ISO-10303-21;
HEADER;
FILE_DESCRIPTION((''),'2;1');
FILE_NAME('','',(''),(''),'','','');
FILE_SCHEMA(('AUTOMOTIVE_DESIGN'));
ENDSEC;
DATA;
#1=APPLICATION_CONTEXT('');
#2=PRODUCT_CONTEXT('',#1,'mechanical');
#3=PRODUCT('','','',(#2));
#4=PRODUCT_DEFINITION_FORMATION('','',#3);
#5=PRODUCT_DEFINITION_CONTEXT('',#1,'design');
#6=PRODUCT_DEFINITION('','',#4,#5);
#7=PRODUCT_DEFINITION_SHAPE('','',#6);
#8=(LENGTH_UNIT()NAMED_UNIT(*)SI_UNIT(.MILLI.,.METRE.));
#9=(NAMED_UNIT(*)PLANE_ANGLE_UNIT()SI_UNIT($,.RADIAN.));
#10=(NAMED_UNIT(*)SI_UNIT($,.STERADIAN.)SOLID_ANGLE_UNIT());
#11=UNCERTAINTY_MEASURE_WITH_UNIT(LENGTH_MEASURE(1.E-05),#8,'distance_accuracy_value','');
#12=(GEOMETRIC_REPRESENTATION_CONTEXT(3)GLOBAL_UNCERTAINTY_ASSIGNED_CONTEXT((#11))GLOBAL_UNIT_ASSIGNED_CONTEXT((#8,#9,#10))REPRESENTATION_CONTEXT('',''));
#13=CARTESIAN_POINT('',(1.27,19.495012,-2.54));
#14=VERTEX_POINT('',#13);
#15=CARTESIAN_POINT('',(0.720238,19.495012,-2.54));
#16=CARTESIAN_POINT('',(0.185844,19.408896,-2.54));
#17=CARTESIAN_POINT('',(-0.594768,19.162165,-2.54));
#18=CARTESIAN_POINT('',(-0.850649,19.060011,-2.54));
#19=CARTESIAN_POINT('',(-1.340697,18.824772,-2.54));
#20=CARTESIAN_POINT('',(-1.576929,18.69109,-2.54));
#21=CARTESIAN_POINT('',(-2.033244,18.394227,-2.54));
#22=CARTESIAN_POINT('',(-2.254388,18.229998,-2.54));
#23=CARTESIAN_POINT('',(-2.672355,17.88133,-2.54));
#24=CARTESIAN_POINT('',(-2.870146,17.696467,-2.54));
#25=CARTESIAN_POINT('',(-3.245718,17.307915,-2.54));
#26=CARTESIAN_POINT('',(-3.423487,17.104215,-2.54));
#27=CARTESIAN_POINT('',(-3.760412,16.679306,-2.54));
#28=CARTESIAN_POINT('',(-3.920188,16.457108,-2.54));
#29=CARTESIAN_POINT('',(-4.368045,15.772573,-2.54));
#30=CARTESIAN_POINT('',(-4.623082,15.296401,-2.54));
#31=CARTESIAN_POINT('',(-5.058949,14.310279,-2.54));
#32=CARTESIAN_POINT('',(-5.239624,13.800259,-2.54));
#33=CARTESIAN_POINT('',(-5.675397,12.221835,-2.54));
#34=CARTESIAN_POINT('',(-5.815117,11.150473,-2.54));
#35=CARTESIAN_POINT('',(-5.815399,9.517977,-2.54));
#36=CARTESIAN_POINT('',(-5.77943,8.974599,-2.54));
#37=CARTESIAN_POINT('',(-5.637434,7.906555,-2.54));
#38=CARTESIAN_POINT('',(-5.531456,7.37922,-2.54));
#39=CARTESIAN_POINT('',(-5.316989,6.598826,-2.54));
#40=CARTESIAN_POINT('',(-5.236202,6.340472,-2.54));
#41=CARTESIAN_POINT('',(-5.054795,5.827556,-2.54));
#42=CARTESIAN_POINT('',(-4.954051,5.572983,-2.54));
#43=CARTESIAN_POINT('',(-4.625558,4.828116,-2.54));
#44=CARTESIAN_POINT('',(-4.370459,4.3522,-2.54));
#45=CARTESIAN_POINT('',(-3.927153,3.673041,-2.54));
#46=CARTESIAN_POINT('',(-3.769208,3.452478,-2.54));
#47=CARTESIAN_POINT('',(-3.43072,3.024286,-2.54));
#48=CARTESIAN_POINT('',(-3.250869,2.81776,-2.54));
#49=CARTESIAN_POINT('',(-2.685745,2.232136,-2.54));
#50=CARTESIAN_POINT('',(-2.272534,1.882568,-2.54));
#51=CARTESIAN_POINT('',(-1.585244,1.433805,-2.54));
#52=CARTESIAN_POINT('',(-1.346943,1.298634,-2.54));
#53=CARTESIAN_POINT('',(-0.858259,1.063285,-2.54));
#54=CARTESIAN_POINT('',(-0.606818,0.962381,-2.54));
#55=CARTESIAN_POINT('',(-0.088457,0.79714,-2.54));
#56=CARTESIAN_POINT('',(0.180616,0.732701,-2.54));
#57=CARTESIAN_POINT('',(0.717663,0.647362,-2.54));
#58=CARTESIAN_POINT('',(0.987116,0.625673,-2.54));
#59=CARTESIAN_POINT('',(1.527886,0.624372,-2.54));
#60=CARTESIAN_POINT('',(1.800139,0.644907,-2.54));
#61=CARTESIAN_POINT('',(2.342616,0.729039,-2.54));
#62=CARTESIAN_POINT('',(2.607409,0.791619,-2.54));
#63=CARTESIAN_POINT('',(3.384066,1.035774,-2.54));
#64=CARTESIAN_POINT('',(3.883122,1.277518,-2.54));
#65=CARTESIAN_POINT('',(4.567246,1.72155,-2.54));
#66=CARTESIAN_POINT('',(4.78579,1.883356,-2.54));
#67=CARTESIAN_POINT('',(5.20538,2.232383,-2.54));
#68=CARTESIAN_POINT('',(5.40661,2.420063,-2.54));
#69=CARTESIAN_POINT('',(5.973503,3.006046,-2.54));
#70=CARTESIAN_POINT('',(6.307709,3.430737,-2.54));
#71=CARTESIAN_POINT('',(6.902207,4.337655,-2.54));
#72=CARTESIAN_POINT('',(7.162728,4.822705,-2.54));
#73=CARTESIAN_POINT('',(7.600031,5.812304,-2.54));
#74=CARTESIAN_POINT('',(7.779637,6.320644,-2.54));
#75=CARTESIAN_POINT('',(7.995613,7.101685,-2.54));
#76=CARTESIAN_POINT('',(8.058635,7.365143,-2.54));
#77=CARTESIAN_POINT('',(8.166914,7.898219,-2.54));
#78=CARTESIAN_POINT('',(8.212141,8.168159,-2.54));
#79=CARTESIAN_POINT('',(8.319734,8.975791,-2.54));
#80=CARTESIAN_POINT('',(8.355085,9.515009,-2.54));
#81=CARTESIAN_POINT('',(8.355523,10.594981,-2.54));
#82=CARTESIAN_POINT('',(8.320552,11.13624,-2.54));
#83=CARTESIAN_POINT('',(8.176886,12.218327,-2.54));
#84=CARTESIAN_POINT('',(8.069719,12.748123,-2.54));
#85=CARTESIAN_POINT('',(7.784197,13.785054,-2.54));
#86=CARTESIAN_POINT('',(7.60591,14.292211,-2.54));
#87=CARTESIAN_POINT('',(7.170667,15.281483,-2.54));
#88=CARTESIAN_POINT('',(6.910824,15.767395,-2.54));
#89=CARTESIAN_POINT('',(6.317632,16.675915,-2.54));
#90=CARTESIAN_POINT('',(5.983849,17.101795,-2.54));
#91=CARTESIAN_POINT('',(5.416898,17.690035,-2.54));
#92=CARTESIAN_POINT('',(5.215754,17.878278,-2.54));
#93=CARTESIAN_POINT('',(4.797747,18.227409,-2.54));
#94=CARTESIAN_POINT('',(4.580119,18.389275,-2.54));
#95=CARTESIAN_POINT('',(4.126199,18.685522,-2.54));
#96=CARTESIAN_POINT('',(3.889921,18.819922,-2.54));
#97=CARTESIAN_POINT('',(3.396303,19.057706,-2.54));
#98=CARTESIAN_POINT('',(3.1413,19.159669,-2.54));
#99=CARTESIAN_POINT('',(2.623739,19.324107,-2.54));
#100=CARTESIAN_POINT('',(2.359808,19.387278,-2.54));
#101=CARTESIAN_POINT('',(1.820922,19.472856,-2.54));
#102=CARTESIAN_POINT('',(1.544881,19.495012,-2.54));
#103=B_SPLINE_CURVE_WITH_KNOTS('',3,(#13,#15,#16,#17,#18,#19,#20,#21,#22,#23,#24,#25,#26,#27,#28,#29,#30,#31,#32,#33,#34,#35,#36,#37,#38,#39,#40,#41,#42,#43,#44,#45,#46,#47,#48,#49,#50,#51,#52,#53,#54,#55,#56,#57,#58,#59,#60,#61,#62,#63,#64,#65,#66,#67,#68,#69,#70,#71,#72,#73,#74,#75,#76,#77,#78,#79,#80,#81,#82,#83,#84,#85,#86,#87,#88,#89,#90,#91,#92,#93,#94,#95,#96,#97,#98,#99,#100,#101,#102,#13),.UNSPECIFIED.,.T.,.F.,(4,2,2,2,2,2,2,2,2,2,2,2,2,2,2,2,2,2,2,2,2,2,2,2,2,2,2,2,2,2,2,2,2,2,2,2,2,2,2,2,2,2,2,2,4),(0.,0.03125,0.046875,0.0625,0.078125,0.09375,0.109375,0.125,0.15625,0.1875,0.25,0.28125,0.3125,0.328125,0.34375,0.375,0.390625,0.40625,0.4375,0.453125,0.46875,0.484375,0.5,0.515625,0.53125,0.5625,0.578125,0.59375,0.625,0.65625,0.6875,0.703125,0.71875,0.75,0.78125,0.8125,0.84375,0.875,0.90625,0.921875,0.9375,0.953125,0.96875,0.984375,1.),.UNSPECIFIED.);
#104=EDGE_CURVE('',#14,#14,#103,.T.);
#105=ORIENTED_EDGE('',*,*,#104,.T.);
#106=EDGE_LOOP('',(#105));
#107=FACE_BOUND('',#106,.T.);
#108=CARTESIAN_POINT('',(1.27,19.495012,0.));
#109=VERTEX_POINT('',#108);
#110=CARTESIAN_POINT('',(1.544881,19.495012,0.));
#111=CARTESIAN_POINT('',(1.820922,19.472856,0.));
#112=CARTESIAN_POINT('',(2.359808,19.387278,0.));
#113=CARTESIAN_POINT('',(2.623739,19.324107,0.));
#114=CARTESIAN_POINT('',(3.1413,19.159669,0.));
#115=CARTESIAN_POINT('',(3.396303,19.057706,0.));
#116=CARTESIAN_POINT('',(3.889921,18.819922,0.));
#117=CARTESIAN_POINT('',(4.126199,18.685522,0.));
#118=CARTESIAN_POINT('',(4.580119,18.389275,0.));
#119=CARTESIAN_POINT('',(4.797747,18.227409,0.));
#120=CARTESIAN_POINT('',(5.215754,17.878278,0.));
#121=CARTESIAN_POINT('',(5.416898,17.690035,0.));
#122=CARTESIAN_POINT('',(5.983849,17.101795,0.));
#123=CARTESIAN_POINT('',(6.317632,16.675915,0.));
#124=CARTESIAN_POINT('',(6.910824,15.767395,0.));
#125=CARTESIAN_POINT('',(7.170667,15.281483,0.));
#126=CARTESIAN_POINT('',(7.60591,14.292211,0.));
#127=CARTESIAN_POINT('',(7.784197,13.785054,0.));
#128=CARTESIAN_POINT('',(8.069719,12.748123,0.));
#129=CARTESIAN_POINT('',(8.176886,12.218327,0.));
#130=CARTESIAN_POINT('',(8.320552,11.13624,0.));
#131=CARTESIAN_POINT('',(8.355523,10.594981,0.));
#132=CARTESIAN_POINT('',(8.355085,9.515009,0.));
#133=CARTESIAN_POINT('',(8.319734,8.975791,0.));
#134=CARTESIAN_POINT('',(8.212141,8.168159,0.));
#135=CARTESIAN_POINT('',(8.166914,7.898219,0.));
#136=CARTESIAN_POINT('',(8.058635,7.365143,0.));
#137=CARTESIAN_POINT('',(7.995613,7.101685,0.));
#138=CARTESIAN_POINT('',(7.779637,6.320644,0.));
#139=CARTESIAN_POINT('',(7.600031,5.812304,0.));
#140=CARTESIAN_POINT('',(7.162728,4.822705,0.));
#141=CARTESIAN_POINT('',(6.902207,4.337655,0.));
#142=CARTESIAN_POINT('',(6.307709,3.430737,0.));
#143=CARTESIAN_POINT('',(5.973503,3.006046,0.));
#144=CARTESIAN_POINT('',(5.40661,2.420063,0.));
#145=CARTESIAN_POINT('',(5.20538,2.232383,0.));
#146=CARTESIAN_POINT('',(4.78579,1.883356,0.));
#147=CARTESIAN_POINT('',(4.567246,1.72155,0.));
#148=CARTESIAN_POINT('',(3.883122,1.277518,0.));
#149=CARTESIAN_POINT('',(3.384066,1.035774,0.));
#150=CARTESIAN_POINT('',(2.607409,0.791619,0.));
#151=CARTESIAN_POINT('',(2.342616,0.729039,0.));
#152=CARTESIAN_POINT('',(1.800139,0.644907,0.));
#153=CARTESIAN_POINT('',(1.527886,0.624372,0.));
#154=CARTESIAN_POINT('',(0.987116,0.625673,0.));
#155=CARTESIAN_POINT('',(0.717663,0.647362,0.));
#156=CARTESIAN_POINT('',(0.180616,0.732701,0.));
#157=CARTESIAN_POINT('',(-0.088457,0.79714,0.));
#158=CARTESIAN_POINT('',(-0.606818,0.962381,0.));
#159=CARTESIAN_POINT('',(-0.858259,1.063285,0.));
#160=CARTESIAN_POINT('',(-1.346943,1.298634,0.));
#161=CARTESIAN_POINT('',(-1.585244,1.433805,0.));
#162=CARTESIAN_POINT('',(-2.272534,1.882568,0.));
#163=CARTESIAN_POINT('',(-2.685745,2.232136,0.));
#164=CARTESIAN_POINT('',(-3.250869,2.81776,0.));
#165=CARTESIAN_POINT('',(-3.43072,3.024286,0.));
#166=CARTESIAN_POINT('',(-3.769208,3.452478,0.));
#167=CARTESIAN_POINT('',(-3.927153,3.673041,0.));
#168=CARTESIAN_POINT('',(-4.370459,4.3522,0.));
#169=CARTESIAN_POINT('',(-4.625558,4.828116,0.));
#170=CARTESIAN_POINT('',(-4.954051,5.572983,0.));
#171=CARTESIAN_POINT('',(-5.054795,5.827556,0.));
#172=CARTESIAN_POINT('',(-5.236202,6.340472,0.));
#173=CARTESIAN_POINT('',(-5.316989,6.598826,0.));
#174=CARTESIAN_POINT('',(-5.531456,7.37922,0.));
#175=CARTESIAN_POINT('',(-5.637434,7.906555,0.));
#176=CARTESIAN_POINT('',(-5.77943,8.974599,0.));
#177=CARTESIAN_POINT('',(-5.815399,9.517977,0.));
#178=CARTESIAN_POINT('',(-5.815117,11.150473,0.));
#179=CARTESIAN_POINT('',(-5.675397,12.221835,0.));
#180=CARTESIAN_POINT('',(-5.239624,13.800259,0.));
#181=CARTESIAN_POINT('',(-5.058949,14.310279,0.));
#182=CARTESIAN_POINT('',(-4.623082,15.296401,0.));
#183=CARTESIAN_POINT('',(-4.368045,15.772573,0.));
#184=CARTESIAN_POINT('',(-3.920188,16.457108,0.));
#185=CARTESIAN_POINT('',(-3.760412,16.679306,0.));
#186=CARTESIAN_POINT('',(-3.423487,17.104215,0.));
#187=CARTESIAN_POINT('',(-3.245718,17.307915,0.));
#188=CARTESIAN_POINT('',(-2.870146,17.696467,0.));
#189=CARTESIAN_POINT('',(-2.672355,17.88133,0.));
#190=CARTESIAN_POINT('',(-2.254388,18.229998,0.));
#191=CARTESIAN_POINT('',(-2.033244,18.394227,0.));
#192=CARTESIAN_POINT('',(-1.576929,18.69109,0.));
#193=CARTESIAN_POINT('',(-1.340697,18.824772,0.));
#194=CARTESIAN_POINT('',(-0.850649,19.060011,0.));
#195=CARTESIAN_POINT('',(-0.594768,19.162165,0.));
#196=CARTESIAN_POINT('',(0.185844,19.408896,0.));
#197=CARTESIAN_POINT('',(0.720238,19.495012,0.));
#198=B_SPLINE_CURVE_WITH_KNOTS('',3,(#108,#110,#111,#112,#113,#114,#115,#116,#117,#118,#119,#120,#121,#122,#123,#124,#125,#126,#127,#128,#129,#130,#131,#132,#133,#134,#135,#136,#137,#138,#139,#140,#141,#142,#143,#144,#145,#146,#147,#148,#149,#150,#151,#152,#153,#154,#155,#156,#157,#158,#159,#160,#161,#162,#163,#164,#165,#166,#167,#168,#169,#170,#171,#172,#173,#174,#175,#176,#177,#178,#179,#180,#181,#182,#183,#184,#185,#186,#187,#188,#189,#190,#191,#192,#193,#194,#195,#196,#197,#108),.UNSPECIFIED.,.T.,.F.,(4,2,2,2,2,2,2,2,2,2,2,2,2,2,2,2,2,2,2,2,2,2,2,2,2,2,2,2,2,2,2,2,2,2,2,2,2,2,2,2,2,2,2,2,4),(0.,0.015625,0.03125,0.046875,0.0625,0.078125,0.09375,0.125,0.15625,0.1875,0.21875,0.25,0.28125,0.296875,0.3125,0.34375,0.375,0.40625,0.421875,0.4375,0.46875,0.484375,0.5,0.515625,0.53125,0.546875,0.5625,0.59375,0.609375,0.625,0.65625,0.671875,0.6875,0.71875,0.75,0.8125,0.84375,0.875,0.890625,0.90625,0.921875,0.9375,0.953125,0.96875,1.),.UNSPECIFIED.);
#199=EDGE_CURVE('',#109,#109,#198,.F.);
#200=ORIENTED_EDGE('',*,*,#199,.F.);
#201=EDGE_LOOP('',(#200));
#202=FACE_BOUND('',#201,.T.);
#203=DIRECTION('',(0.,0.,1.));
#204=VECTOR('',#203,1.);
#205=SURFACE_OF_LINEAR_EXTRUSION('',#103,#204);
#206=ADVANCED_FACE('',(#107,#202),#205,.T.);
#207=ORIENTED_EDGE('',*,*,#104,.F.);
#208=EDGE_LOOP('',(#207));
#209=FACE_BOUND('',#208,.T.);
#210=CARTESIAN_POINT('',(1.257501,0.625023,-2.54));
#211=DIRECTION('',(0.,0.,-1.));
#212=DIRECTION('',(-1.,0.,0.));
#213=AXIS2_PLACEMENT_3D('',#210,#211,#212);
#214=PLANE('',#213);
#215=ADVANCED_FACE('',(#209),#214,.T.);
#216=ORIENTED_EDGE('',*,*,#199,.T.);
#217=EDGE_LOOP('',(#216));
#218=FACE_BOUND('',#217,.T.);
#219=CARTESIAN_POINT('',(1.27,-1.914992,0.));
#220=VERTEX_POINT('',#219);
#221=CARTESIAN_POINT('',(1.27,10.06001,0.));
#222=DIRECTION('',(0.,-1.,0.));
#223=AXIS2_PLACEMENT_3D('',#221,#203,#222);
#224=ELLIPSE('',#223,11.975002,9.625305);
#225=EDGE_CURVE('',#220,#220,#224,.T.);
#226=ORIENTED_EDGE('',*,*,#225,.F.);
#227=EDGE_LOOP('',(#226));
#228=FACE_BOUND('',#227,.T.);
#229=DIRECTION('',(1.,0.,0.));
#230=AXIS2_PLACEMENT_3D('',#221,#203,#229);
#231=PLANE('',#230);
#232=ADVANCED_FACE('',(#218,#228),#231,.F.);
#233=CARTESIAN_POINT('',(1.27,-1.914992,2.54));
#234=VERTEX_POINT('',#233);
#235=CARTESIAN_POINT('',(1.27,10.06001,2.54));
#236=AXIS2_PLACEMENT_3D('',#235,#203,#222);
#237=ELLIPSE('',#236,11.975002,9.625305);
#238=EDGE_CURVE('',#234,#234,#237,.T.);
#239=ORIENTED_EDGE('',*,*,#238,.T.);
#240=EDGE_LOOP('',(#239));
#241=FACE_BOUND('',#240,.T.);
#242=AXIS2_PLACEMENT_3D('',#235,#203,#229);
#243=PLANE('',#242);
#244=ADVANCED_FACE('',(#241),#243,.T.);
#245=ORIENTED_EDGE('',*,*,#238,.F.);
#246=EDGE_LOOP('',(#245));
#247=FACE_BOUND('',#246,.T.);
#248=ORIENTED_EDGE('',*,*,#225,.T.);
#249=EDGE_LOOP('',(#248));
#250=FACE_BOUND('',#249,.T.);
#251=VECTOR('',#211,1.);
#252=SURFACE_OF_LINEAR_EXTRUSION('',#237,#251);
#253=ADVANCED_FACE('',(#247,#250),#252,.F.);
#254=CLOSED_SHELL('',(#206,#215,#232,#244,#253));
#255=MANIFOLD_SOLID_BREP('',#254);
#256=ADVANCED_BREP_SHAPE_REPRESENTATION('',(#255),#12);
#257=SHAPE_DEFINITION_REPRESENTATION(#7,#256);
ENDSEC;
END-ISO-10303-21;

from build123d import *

# Parameters (mm, degrees)
BOSS_EXTRUDE1_DEPTH = 2.54
SKETCH3_RX          = 11.975002362
SKETCH3_RY          = 9.62530498
BOSS_EXTRUDE2_DEPTH = 2.54


with BuildPart() as part:
    # Sketch2 → Boss-Extrude1 (new body)
    with BuildSketch(Plane.XY):
        with BuildLine():
            add(Edge.make_bspline(
                [(1.27, 19.495012235), (0.720238368, 19.495012235), (0.185844427, 19.408896346), (-0.594767976, 19.162165307), (-0.850648642, 19.060010591), (-1.3406975, 18.824771934), (-1.57692884, 18.691089586), (-2.033244262, 18.394227435), (-2.254387801, 18.229997746), (-2.672354965, 17.881330388), (-2.870146059, 17.696467096), (-3.245718092, 17.307915457), (-3.423486564, 17.104215382), (-3.760412379, 16.679306346), (-3.920187654, 16.457107827), (-4.368044809, 15.772573183), (-4.623081735, 15.296400873), (-5.058948628, 14.310278998), (-5.239624245, 13.800259175), (-5.675397109, 12.221835404), (-5.815116994, 11.150473237), (-5.815398697, 9.517977005), (-5.779430411, 8.974598965), (-5.637433758, 7.906555412), (-5.53145557, 7.379220198), (-5.31698931, 6.598826265), (-5.236201641, 6.340472484), (-5.054795439, 5.827555685), (-4.954051366, 5.572982856), (-4.625557682, 4.828116166), (-4.370458524, 4.352200427), (-3.92715317, 3.673040761), (-3.769208225, 3.45247824), (-3.430720327, 3.024286098), (-3.250868957, 2.817759951), (-2.685744569, 2.232136484), (-2.272533636, 1.882567957), (-1.585243774, 1.433804725), (-1.346943211, 1.298634411), (-0.858258735, 1.06328463), (-0.606817547, 0.962380873), (-0.088456982, 0.797140288), (0.180616402, 0.732700885), (0.717663263, 0.647362415), (0.987116161, 0.625672865), (1.527886168, 0.62437222), (1.800139422, 0.644907177), (2.342616237, 0.72903885), (2.607409484, 0.791619312), (3.384065636, 1.035774015), (3.883121503, 1.277517664), (4.567246185, 1.721549842), (4.785790025, 1.883355998), (5.205380281, 2.232383298), (5.406610057, 2.42006263), (5.97350339, 3.006046128), (6.307709487, 3.430736806), (6.902207449, 4.337655014), (7.162728093, 4.822704649), (7.600031087, 5.812304067), (7.779637147, 6.320644481), (7.995612918, 7.101685429), (8.058634681, 7.365143206), (8.166913866, 7.898219317), (8.212140582, 8.168158838), (8.319734454, 8.975791274), (8.355084844, 9.515008844), (8.355523081, 10.594981282), (8.320552073, 11.136240082), (8.176885819, 12.218326747), (8.069718657, 12.748122566), (7.784197181, 13.785053947), (7.605910028, 14.292210886), (7.170666614, 15.281482851), (6.910823558, 15.767394967), (6.317632047, 16.675915486), (5.983849202, 17.101795462), (5.416898167, 17.690034607), (5.215754315, 17.878277673), (4.797746598, 18.22740935), (4.580118739, 18.389275101), (4.126199429, 18.685521759), (3.889921414, 18.819922454), (3.396302532, 19.057705745), (3.141299771, 19.159668895), (2.623738926, 19.324106952), (2.359807618, 19.3872776), (1.820922261, 19.472855931), (1.544880816, 19.495012235), (1.27, 19.495012235)],
                knots=[0, 0, 0, 0, 0.03125, 0.03125, 0.046875, 0.046875, 0.0625, 0.0625, 0.078125, 0.078125, 0.09375, 0.09375, 0.109375, 0.109375, 0.125, 0.125, 0.15625, 0.15625, 0.1875, 0.1875, 0.25, 0.25, 0.28125, 0.28125, 0.3125, 0.3125, 0.328125, 0.328125, 0.34375, 0.34375, 0.375, 0.375, 0.390625, 0.390625, 0.40625, 0.40625, 0.4375, 0.4375, 0.453125, 0.453125, 0.46875, 0.46875, 0.484375, 0.484375, 0.5, 0.5, 0.515625, 0.515625, 0.53125, 0.53125, 0.5625, 0.5625, 0.578125, 0.578125, 0.59375, 0.59375, 0.625, 0.625, 0.65625, 0.65625, 0.6875, 0.6875, 0.703125, 0.703125, 0.71875, 0.71875, 0.75, 0.75, 0.78125, 0.78125, 0.8125, 0.8125, 0.84375, 0.84375, 0.875, 0.875, 0.90625, 0.90625, 0.921875, 0.921875, 0.9375, 0.9375, 0.953125, 0.953125, 0.96875, 0.96875, 0.984375, 0.984375, 1, 1, 1, 1], degree=3))
        make_face()
    extrude(amount=-BOSS_EXTRUDE1_DEPTH)

    # Sketch3 → Boss-Extrude2 (add)
    with BuildSketch(Plane.XY):
        with Locations(Location((1.27, 10.060009873), (0, 0, -90))):
            Ellipse(SKETCH3_RX, SKETCH3_RY)
    extrude(amount=BOSS_EXTRUDE2_DEPTH)


solid = part.part
